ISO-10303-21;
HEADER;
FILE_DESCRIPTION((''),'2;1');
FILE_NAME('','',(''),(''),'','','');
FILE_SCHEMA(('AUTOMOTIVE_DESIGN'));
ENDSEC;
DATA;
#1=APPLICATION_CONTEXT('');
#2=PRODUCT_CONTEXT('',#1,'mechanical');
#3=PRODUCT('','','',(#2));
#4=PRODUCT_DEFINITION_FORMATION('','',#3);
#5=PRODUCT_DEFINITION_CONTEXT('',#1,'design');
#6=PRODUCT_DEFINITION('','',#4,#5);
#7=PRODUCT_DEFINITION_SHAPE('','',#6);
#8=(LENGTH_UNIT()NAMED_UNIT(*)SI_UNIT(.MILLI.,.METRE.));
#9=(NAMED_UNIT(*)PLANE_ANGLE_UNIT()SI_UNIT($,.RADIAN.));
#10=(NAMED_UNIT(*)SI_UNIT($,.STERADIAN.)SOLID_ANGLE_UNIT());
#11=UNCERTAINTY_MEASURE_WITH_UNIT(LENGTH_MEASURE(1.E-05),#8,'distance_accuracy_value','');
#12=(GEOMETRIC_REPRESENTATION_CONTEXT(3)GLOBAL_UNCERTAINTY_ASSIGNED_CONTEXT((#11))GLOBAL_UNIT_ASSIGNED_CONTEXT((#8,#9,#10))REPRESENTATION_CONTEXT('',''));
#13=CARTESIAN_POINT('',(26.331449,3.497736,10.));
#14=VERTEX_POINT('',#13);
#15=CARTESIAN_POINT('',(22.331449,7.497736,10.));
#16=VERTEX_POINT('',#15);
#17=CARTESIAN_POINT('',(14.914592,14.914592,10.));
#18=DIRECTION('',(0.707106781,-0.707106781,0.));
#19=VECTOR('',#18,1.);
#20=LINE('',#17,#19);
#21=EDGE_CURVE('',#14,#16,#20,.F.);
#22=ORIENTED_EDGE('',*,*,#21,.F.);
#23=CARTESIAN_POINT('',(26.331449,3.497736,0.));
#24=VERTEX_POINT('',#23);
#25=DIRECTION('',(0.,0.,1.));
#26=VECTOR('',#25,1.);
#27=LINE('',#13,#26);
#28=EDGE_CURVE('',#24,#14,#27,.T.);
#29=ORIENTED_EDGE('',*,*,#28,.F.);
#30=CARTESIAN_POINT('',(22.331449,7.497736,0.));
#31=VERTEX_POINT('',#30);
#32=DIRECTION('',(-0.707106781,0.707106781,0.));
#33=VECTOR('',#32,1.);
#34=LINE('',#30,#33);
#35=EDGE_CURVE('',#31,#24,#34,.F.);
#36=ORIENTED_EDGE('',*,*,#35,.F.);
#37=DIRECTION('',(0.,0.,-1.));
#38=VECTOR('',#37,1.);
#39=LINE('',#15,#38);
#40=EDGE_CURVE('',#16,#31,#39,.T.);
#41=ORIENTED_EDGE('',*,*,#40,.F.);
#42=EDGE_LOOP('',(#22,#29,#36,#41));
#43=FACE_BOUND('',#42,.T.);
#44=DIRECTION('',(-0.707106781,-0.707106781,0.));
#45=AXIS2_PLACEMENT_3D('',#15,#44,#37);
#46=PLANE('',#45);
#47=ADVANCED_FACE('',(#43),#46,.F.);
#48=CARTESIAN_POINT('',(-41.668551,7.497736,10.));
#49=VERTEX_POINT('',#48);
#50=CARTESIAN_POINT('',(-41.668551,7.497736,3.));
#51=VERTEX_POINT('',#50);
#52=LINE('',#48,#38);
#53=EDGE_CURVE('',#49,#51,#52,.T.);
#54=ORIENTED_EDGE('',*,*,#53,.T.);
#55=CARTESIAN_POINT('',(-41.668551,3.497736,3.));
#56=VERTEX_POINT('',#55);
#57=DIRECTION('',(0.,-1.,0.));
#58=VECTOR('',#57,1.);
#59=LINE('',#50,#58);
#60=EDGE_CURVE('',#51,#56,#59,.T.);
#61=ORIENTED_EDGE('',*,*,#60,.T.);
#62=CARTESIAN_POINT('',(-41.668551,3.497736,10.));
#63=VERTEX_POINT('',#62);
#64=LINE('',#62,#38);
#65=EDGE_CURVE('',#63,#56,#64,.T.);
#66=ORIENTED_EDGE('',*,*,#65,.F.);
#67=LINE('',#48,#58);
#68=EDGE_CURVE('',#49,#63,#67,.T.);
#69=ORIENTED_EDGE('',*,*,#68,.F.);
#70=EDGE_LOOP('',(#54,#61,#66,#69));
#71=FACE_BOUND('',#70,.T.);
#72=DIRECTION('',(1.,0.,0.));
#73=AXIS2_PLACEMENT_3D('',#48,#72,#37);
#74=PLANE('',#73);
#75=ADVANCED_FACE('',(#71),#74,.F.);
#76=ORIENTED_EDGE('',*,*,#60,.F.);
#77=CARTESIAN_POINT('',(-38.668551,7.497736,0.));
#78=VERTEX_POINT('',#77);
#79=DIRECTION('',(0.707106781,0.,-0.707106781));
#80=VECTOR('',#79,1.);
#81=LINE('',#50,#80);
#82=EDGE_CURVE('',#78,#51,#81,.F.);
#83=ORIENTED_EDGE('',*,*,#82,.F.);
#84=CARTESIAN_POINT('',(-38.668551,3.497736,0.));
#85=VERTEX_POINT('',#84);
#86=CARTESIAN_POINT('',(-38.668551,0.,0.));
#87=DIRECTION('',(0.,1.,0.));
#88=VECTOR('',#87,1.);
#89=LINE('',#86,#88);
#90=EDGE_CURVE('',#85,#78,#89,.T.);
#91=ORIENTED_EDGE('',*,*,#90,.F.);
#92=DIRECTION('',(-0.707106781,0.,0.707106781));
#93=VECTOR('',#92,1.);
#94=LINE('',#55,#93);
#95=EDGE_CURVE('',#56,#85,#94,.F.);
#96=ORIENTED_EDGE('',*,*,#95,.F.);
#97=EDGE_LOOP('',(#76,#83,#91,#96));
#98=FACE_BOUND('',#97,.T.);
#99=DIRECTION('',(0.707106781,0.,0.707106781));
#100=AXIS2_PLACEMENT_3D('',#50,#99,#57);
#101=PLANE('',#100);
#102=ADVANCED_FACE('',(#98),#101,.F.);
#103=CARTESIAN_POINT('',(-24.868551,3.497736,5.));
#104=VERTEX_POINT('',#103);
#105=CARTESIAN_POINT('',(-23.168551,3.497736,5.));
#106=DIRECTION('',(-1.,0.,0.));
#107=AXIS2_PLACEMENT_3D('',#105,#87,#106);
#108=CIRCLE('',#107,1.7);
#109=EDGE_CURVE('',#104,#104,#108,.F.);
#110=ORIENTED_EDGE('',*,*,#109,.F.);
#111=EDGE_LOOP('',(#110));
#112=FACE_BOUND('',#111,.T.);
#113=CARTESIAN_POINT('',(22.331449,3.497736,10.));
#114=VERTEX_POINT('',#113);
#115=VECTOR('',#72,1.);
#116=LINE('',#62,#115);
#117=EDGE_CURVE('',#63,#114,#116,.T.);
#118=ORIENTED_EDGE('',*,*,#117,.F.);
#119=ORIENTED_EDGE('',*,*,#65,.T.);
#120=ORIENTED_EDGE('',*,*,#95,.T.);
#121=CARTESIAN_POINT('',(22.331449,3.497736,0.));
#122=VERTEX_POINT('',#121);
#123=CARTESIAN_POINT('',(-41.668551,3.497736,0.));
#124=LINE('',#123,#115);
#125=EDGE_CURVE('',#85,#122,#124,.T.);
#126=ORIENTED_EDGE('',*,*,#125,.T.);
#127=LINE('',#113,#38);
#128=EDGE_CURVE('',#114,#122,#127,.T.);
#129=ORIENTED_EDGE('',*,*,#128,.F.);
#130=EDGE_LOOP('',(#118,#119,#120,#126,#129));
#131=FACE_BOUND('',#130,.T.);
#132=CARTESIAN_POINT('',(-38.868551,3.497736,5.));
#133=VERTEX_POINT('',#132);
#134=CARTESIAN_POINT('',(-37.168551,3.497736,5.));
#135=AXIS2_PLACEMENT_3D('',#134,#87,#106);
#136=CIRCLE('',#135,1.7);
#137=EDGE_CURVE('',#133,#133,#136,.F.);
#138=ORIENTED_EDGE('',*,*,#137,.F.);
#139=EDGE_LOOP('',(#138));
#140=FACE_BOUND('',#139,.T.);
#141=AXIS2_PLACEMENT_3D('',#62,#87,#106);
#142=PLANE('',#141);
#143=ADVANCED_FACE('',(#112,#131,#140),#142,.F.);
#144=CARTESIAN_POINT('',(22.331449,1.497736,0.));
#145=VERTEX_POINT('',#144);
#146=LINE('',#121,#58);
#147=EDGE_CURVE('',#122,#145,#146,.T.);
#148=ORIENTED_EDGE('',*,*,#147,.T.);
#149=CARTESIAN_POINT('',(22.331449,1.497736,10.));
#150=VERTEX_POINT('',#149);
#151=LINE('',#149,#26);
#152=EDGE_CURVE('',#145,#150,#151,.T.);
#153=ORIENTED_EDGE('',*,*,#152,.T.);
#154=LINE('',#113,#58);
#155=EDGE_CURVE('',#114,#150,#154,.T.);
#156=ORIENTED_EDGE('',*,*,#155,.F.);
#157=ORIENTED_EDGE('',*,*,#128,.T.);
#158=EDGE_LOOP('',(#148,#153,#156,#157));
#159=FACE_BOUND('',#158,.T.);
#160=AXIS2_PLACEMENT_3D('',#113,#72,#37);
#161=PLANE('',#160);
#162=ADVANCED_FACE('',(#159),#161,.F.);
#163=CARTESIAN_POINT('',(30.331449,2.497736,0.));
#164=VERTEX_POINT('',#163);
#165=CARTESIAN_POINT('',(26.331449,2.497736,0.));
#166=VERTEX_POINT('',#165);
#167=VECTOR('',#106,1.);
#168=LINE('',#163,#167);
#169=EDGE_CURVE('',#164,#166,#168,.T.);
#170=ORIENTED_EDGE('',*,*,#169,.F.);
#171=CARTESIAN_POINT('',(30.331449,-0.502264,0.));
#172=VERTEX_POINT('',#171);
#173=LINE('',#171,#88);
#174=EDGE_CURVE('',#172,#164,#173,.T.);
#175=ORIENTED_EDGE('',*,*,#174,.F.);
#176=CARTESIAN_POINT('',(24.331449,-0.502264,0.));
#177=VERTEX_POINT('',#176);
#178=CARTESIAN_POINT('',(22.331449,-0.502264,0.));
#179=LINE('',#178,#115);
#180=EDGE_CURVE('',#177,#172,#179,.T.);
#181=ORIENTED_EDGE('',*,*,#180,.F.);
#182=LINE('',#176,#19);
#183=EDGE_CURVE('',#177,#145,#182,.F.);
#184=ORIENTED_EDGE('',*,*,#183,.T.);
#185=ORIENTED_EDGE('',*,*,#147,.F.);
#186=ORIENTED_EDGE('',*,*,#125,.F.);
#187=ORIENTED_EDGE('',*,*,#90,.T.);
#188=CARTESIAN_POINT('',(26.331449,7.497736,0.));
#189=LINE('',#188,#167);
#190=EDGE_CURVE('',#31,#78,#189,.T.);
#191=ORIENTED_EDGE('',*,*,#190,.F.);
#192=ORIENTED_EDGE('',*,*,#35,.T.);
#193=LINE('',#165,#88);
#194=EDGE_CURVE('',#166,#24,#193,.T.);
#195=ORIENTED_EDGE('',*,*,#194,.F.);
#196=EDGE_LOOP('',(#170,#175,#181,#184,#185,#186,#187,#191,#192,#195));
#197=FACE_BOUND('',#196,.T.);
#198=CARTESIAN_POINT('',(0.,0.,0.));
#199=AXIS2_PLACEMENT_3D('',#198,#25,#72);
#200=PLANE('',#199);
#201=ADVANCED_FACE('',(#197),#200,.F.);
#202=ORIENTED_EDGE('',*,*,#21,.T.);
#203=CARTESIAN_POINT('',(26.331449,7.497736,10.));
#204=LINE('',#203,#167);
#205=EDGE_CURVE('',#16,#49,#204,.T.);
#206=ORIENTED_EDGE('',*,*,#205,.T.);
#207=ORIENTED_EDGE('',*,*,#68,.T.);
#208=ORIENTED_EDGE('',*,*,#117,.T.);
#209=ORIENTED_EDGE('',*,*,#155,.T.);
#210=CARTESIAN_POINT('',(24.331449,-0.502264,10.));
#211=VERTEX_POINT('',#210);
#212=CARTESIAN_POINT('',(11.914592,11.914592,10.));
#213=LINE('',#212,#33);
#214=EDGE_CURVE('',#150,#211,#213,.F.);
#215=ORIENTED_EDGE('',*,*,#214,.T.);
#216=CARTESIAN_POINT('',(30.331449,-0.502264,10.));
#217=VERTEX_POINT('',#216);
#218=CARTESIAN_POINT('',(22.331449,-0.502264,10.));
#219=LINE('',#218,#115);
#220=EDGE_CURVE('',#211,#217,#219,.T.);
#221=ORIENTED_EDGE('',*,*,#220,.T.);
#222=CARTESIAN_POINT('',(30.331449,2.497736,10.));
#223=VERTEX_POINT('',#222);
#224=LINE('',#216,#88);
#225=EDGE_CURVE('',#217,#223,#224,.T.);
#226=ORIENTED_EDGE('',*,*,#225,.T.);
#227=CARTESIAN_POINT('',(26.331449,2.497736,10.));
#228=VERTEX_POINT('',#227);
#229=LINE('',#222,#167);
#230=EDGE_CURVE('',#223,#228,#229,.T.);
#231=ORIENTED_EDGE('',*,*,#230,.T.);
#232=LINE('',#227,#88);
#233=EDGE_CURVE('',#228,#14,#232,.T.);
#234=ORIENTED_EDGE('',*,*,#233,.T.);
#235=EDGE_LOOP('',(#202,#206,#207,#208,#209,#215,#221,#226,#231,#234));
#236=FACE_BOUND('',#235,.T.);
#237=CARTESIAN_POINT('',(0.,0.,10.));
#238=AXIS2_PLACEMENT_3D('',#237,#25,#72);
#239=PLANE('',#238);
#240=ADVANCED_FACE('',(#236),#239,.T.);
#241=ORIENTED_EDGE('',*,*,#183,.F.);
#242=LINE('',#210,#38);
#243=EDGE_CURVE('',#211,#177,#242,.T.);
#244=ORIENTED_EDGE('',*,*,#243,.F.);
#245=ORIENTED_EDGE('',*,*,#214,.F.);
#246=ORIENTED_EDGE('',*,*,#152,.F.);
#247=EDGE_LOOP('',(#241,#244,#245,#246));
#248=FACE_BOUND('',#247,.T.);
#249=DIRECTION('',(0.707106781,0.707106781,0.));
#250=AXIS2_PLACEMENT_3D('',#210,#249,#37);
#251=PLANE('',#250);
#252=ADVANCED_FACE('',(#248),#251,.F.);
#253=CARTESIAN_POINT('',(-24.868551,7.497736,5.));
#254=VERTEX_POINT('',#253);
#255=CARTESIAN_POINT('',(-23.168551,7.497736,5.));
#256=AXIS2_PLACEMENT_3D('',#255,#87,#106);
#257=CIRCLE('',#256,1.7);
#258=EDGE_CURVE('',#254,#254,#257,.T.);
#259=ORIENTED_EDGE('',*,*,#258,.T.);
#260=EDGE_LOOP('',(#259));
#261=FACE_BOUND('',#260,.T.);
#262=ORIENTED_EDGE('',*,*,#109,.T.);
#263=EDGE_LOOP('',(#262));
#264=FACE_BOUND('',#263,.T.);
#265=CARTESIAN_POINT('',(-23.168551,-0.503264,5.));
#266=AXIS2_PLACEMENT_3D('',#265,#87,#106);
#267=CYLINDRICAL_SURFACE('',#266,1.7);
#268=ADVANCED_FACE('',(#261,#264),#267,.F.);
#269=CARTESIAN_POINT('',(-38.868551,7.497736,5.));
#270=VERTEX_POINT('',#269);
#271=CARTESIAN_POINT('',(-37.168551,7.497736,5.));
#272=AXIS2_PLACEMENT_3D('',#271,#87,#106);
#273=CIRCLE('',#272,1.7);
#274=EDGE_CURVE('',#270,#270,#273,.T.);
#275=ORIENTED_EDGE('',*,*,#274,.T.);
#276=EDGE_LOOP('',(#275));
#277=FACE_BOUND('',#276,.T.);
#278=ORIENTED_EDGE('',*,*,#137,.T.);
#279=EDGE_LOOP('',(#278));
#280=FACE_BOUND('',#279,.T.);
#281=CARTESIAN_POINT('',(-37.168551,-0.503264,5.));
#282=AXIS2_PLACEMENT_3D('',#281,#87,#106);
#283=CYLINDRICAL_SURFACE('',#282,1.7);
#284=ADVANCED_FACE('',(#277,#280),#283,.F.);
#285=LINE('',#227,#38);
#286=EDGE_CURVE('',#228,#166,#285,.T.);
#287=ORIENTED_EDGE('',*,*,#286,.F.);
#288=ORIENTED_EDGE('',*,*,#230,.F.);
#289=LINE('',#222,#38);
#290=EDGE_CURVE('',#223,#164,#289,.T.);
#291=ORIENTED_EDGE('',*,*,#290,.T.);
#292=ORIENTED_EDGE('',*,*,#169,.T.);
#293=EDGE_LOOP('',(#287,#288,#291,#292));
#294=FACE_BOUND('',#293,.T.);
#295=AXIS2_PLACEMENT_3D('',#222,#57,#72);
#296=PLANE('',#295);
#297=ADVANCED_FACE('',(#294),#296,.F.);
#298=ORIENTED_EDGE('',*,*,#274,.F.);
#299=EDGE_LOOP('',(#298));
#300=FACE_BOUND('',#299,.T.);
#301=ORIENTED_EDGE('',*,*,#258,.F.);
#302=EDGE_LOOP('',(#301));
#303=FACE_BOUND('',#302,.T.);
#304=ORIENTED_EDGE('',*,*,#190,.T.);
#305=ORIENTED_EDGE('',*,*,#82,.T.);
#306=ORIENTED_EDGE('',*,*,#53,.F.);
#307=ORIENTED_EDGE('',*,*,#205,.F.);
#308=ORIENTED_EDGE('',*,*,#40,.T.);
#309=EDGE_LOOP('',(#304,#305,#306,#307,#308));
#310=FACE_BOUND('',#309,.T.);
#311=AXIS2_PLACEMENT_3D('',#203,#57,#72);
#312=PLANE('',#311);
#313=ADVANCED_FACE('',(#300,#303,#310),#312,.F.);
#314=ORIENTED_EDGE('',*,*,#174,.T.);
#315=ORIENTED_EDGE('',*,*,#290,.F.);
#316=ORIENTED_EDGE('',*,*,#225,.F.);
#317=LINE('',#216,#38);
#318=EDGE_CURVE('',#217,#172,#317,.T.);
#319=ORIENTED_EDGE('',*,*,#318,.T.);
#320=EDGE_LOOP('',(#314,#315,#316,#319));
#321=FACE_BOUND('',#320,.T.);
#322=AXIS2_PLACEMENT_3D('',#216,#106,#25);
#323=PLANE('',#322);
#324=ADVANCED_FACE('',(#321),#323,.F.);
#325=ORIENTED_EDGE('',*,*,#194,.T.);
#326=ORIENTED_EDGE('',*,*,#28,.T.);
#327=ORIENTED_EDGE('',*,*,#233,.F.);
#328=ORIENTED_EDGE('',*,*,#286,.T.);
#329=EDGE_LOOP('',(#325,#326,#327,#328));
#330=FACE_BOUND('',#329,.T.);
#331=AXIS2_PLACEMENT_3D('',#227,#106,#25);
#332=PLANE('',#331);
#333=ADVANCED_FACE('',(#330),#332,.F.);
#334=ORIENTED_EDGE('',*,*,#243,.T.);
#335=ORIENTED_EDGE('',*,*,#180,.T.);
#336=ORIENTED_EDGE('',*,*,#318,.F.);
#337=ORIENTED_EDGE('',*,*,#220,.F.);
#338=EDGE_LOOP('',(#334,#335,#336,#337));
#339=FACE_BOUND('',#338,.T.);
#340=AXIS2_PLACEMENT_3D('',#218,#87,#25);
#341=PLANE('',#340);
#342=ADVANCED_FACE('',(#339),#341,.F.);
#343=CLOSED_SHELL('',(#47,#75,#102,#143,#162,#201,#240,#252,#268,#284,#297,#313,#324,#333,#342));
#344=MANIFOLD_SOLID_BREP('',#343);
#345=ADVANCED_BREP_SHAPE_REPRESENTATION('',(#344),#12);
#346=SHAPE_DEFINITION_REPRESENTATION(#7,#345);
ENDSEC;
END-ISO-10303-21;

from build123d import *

# Parameters (mm, degrees)
BOSS_EXTRUDE1_DEPTH = 10
CHAMFER1_SIZE       = 3
CHAMFER4_SIZE       = 4
CHAMFER5_SIZE       = 2
CUT_EXTRUDE1_REACH  = 10
SKETCH4_R           = 1.7


with BuildPart() as part:
    # Sketch2 → Boss-Extrude1 (new body)
    with BuildSketch(Plane.XY):
        Polygon((-41.668551289, 7.497735583), (-41.668551289, 3.497735583), (22.331448711, 3.497735583), (22.331448711, -0.502264417), (30.331448711, -0.502264417), (30.331448711, 2.497735583), (26.331448711, 2.497735583), (26.331448711, 7.497735583), align=None)
    extrude(amount=BOSS_EXTRUDE1_DEPTH)

    # Chamfer1
    chamfer1_edges = [part.edges().sort_by_distance(p)[0] for p in [
        (-41.668551289, 5.497735583, 0),
    ]]
    chamfer(chamfer1_edges, length=CHAMFER1_SIZE)

    # Chamfer4
    chamfer4_edges = [part.edges().sort_by_distance(p)[0] for p in [
        (26.331448711, 7.497735583, 5),
    ]]
    chamfer(chamfer4_edges, length=CHAMFER4_SIZE)

    # Chamfer5
    chamfer5_edges = [part.edges().sort_by_distance(p)[0] for p in [
        (22.331448711, -0.502264417, 5),
    ]]
    chamfer(chamfer5_edges, length=CHAMFER5_SIZE)

    # Sketch4 → Cut-Extrude1 (cut, up to next)
    with BuildSketch(Plane(origin=(0, 7.497735583, 0), x_dir=(1, 0, 0), z_dir=(0, 1, 0)), mode=Mode.PRIVATE) as cut_extrude1_sk1:
        with Locations((-37.168551289, -5)):
            Circle(SKETCH4_R)
    cut_extrude1_tool1 = extrude(cut_extrude1_sk1.sketch, amount=-CUT_EXTRUDE1_REACH, mode=Mode.PRIVATE) & part.part
    add(cut_extrude1_tool1.solids().sort_by_distance((-37.168551, 7.497736, 5))[0], mode=Mode.SUBTRACT)
    # Sketch4 → Cut-Extrude1 (cut, up to next)
    with BuildSketch(Plane(origin=(0, 7.497735583, 0), x_dir=(1, 0, 0), z_dir=(0, 1, 0)), mode=Mode.PRIVATE) as cut_extrude1_sk2:
        with Locations((-23.168551289, -5)):
            Circle(SKETCH4_R)
    cut_extrude1_tool2 = extrude(cut_extrude1_sk2.sketch, amount=-CUT_EXTRUDE1_REACH, mode=Mode.PRIVATE) & part.part
    add(cut_extrude1_tool2.solids().sort_by_distance((-23.168551, 7.497736, 5))[0], mode=Mode.SUBTRACT)


solid = part.part
